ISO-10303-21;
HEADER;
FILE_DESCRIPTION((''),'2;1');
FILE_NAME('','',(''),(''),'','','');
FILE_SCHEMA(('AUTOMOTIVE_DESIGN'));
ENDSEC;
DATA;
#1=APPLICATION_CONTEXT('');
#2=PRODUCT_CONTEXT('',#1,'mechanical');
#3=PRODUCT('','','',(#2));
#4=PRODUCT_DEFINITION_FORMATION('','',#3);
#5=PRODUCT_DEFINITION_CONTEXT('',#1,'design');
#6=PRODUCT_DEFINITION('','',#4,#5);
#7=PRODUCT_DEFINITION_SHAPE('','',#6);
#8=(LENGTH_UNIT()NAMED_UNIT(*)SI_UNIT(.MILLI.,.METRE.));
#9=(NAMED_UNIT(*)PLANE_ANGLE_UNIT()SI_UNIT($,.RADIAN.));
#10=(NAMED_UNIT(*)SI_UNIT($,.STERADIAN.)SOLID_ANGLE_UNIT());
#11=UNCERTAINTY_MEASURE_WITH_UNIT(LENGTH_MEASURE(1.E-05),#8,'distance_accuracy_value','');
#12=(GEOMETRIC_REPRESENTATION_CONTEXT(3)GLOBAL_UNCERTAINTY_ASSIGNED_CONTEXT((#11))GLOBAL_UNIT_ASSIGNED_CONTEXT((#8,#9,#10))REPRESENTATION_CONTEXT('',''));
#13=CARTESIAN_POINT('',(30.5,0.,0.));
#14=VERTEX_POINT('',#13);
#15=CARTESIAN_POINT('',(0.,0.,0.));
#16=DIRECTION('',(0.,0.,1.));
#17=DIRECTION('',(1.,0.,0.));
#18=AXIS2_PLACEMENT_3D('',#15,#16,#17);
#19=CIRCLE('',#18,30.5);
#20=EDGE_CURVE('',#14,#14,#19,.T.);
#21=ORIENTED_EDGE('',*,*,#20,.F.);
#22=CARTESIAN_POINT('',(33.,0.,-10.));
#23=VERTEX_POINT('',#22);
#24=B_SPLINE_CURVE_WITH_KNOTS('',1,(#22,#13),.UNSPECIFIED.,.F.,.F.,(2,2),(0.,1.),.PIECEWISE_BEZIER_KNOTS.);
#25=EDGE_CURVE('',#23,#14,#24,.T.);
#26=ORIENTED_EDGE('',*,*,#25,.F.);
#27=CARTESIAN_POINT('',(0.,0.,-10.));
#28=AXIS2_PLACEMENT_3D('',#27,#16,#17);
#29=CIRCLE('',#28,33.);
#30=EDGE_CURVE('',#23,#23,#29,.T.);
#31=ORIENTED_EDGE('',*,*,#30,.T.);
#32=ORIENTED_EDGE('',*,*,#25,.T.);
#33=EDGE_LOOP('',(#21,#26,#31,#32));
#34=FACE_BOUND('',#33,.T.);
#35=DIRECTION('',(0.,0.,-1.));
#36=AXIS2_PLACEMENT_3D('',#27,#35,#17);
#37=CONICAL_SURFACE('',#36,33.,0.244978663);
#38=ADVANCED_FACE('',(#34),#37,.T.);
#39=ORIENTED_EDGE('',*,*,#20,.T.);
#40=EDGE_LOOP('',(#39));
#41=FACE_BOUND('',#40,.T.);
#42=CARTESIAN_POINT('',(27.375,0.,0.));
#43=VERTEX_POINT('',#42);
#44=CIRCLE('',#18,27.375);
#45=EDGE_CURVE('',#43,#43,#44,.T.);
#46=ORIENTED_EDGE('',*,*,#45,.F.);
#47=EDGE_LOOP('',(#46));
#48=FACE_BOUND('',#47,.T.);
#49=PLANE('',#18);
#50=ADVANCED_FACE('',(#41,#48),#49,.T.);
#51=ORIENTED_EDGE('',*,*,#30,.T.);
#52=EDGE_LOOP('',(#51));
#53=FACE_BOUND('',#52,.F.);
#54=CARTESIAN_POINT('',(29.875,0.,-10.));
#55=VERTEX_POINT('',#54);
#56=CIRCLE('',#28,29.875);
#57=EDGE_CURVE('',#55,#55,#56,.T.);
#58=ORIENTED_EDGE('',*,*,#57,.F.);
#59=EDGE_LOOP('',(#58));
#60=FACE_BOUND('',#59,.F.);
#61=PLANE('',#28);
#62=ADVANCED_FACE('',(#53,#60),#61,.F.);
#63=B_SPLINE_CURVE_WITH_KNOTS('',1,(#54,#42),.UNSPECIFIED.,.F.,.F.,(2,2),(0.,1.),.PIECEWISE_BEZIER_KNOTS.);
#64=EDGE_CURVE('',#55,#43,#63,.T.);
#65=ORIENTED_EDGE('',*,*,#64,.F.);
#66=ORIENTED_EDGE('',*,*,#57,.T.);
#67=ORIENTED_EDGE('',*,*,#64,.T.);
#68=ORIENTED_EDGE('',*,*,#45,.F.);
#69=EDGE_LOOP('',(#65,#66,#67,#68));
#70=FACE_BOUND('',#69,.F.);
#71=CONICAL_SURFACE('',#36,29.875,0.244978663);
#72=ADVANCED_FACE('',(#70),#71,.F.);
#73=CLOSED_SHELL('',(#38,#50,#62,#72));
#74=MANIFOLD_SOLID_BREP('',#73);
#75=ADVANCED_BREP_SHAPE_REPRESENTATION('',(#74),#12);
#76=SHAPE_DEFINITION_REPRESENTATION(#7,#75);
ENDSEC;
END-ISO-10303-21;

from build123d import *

# Parameters (mm, degrees)
F4_R = 33
F1_R = 30.5
F3_R = 29.875
F0_R = 27.375


with BuildPart() as f5:
    # F4 (on offset) → F5 section 0
    with BuildSketch(Plane.XY.offset(-10)):
        Circle(F4_R)
    # F1 (on Top) → F5 section 1
    with BuildSketch(Plane.XY):
        Circle(F1_R)
    loft()

    # F3 (on offset) → F6 section 0
    with BuildSketch(Plane.XY.offset(-10)):
        Circle(F3_R)
    # F0 (on Top) → F6 section 1
    with BuildSketch(Plane.XY):
        Circle(F0_R)
    loft(mode=Mode.SUBTRACT)


solid = f5.part
